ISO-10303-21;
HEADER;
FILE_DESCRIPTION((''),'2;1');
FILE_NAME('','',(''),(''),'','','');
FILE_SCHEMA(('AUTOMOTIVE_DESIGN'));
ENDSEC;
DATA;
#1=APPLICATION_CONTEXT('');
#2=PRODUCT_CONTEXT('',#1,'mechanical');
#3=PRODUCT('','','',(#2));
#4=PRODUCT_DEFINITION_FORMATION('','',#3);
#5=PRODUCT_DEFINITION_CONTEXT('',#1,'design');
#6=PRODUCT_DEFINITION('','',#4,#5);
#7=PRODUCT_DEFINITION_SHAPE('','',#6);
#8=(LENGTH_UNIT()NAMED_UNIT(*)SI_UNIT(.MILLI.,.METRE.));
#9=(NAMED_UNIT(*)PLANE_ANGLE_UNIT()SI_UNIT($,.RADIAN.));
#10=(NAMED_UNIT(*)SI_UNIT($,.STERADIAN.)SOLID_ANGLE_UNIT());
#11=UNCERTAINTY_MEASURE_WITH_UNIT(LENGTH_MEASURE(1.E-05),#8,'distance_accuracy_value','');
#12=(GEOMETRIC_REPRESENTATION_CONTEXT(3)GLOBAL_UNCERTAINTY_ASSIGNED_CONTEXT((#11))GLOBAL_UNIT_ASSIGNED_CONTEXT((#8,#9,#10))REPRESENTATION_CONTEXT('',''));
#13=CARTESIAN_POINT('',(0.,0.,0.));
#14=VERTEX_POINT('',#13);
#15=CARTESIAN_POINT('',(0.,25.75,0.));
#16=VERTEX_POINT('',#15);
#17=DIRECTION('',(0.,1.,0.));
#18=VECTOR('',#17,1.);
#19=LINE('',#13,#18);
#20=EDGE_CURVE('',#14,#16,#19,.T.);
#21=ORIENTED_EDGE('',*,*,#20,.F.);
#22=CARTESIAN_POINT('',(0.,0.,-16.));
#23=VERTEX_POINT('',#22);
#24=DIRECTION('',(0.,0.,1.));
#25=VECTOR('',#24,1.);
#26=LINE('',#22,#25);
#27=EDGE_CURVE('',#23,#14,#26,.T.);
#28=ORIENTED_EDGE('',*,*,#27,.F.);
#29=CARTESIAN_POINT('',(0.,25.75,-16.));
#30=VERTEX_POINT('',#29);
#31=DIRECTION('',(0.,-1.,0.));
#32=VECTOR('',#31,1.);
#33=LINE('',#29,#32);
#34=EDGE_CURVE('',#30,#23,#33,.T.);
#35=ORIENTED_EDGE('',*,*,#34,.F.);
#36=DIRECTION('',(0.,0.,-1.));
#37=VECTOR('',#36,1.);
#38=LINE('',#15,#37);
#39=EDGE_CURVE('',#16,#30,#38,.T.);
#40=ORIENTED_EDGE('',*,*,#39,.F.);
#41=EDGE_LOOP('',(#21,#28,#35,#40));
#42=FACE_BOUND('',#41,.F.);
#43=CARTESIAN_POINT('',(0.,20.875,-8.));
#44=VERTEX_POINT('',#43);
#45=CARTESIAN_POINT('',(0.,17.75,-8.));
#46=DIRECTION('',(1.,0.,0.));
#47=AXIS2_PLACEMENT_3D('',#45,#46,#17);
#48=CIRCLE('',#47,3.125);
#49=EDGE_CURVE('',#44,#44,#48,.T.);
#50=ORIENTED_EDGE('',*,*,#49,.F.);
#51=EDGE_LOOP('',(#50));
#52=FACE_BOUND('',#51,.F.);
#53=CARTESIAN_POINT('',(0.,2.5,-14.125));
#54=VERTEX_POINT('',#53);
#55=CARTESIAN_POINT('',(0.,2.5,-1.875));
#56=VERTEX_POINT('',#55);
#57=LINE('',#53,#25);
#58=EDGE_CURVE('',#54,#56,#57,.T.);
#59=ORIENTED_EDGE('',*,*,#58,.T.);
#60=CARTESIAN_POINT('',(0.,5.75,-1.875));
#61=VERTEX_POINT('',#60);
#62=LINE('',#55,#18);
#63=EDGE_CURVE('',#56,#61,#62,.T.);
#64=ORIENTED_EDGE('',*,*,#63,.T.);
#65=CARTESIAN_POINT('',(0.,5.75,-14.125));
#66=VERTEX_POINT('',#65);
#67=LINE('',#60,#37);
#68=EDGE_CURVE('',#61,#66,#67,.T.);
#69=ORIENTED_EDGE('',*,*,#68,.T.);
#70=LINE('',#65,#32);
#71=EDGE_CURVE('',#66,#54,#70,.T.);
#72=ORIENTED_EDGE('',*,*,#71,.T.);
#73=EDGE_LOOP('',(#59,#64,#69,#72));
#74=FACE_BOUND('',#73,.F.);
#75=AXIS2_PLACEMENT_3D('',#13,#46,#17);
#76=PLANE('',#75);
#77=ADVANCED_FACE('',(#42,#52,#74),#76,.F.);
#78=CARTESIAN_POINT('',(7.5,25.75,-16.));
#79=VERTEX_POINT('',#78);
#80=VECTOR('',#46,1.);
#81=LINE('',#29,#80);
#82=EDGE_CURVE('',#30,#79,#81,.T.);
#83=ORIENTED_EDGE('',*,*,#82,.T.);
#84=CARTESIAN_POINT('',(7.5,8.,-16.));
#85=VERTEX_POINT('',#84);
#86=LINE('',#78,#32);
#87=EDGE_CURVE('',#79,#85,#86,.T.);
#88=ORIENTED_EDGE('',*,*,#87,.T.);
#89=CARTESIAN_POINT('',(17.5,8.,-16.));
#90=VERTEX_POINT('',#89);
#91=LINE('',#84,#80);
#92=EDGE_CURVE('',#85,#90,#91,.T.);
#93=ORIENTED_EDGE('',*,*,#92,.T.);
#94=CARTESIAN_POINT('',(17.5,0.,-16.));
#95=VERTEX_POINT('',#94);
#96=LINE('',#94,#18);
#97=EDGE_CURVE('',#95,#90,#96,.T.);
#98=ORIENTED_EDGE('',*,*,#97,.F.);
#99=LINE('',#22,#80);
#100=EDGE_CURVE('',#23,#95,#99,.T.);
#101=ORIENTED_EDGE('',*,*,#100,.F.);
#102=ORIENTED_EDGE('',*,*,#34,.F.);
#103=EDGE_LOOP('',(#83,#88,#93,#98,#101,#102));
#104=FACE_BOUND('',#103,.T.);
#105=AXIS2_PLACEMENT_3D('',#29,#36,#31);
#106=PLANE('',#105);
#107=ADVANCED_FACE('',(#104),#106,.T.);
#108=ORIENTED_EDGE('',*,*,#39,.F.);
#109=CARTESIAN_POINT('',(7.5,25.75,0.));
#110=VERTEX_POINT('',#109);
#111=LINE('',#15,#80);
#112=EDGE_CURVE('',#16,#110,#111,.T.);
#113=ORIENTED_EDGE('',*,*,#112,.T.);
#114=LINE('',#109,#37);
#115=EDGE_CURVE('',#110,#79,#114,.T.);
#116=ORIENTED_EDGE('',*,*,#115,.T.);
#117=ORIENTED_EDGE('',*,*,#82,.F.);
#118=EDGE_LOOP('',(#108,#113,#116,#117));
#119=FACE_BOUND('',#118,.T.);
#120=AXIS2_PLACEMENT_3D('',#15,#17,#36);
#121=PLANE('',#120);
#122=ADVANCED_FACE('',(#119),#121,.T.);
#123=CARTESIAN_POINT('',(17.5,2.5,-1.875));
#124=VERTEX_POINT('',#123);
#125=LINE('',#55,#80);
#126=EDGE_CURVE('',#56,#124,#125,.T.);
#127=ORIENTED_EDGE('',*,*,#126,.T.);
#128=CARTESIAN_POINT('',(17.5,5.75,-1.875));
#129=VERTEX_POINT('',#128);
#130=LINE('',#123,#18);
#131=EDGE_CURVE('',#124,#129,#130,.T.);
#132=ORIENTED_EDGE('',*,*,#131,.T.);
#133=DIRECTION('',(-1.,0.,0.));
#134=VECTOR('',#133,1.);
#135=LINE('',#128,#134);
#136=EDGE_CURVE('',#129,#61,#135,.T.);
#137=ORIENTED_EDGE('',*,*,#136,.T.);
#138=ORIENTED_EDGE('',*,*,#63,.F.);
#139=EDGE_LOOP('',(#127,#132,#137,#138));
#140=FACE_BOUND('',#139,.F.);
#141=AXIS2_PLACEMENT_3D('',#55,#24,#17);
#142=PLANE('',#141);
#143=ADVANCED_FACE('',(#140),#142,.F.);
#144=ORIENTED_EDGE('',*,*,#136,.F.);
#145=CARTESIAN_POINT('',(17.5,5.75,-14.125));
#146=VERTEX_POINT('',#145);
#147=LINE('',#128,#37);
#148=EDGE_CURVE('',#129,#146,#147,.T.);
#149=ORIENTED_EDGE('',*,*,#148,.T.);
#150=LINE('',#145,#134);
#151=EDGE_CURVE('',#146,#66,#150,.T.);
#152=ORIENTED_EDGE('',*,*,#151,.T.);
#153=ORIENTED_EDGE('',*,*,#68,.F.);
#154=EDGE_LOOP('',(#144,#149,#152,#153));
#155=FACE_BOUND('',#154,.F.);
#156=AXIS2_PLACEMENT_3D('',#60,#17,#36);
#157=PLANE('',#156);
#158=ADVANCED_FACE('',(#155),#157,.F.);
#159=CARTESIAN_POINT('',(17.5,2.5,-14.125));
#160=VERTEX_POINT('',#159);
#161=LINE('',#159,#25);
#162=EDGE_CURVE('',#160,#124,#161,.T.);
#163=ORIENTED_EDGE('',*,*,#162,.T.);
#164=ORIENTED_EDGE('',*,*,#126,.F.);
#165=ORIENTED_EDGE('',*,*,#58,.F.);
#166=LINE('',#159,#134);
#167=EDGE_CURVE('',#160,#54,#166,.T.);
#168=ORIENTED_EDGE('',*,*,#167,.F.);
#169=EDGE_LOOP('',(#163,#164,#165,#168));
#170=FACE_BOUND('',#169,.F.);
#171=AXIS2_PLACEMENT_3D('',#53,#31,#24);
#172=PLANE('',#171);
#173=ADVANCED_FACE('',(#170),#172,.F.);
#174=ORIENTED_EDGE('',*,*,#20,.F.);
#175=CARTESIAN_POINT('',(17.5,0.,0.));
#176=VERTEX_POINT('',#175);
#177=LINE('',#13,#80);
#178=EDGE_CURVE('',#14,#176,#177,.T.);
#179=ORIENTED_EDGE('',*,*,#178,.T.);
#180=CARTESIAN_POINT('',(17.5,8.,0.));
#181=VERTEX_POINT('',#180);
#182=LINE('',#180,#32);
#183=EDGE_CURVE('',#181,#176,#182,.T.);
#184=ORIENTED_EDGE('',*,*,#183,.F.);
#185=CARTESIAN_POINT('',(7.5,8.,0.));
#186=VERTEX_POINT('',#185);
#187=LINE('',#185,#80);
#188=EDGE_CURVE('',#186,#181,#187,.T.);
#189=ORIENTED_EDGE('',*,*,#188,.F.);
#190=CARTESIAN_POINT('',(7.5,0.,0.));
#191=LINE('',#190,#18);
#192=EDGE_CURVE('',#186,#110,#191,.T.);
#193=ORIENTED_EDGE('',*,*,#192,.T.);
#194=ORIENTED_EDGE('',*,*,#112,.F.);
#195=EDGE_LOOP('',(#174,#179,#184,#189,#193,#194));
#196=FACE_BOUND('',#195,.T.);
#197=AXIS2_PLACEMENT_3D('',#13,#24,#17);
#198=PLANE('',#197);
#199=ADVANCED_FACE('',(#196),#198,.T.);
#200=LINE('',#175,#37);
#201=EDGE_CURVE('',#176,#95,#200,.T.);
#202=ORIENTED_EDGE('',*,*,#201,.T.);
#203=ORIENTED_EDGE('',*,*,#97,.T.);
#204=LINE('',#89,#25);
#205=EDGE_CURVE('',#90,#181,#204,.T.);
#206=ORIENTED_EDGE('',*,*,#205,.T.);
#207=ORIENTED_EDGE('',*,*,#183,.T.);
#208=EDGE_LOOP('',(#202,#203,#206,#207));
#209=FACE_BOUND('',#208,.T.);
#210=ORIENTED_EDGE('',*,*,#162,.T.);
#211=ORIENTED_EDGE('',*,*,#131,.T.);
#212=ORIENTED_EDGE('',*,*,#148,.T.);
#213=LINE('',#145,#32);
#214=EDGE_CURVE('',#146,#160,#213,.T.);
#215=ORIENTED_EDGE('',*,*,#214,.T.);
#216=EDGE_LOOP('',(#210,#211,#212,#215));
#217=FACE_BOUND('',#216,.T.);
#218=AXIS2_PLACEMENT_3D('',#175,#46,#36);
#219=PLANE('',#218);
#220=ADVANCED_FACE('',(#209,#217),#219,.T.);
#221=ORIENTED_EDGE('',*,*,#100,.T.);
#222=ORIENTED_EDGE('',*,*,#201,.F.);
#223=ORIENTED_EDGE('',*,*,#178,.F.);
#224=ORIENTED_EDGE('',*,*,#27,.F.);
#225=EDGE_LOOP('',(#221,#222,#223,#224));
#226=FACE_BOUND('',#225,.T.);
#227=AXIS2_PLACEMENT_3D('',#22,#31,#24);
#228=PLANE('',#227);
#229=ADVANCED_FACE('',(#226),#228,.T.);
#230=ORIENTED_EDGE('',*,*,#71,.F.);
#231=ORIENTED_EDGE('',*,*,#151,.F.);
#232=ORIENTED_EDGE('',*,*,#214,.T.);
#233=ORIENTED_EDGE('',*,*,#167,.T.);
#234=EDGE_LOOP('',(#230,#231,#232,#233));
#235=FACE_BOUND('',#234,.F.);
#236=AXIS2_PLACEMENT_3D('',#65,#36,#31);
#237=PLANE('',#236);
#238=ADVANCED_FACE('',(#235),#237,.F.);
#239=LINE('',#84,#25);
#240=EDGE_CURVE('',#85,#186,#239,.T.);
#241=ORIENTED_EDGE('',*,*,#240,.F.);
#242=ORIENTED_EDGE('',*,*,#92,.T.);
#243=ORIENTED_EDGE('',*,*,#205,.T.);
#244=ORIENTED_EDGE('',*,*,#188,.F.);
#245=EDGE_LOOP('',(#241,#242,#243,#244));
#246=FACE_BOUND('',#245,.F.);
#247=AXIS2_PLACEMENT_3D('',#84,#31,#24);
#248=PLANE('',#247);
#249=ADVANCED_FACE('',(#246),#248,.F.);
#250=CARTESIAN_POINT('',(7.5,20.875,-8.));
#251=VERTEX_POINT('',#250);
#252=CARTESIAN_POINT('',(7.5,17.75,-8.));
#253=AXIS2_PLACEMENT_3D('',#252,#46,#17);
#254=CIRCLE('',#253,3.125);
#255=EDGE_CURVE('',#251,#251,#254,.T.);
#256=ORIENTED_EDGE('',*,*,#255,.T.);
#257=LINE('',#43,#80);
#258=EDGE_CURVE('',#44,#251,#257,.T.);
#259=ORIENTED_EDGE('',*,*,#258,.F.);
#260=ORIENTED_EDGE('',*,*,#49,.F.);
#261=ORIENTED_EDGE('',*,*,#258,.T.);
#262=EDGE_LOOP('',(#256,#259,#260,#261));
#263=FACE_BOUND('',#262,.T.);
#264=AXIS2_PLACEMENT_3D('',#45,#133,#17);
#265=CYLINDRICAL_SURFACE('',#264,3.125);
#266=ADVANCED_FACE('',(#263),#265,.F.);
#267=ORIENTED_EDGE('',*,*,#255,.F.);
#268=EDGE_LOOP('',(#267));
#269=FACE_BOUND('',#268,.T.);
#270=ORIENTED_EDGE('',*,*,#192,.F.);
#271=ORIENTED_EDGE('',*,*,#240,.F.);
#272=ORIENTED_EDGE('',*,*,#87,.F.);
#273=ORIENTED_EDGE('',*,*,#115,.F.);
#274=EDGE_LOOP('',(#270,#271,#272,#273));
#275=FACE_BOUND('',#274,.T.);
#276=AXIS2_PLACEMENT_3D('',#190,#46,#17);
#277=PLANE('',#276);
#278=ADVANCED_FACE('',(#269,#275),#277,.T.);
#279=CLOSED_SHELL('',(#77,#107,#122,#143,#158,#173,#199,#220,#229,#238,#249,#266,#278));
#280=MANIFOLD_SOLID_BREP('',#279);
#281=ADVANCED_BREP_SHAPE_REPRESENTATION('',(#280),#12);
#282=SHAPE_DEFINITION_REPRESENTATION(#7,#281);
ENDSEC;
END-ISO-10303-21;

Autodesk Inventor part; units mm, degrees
ref_plane "YZ Plane" through (0, 0, 0) normal (1, 0, 0) x (0, 1, 0)
ref_plane "XZ Plane" through (0, 0, 0) normal (0, 1, 0) x (-1, 0, 0)
ref_plane "XY Plane" through (0, 0, 0) normal (0, 0, 1) x (1, 0, 0)
sketch "Sketch1" plane through (0, 0, 0) normal (1, 0, 0) x (0, 1, 0)
  line L0 (0, 0) -> (25.75, 0)
  line L1 (25.75, 0) -> (25.75, -16)
  line L2 (25.75, -16) -> (0, -16)
  line L3 (0, -16) -> (0, 0)
  line L4 (0, 0) -> (2.5, 0) construction
  line L5 (2.5, 0) -> (2.5, -16) construction
  line L6 (2.5, -16) -> (0, -16) construction
  line L7 (0, -16) -> (0, 0) construction
  line L8 (0, 0) -> (1.875, 0) construction
  line L9 (0, -2.8568) -> (0, 0) construction
  line L10 (0, 0) -> (25.75, 0) construction
  line L11 (25.75, 0) -> (25.75, -1.875) construction
  line L12 (25.75, -1.875) -> (0, -1.875) construction
  line L13 (0, -1.875) -> (0, 0) construction
  line L14 (25.75, -16) -> (0, -16) construction
  line L15 (0, -16) -> (0, -14.125) construction
  line L16 (0, -14.125) -> (25.75, -14.125) construction
  line L17 (25.75, -14.125) -> (25.75, -16) construction
  line L18 (2.5, -1.875) -> (5.75, -1.875)
  line L19 (5.75, -1.875) -> (5.75, -14.125)
  line L20 (5.75, -14.125) -> (2.5, -14.125)
  line L21 (2.5, -14.125) -> (2.5, -1.875)
  circle A0 centre (17.75, -8) radius 3.125
  dimension "d0" = 25.75
  dimension "d1" = 16
  dimension "d2" = 2.5
  dimension "d4" = 1.875
  dimension "d5" = 1.875
  dimension "d6" = 3.25
  dimension "d7" = 6.25
extrude "Extrusion1" add sketch "Sketch1" along normal blind 7.5
sketch "Sketch2" plane through (7.5, 0, 0) normal (1, 0, 0) x (0, 0, -1)
  line L0 (0, 0) -> (16, 0) projected
  line L1 (16, 0) -> (16, 25.75) projected
  line L2 (0, 0) -> (16, 0)
  line L3 (16, 0) -> (16, 8)
  line L4 (16, 8) -> (0, 8)
  line L5 (0, 8) -> (0, 0)
  line L6 (1.875, 2.5) -> (1.875, 5.75) projected
  line L7 (14.125, 5.75) -> (14.125, 2.5) projected
  line L8 (1.875, 5.75) -> (14.125, 5.75)
  line L9 (14.125, 5.75) -> (14.125, 2.5)
  line L10 (14.125, 2.5) -> (1.875, 2.5)
  line L11 (1.875, 2.5) -> (1.875, 5.75)
  dimension "d10" = 8
extrude "Extrusion2" add sketch "Sketch2" along normal blind 10
properties part number "_3DPrint"
